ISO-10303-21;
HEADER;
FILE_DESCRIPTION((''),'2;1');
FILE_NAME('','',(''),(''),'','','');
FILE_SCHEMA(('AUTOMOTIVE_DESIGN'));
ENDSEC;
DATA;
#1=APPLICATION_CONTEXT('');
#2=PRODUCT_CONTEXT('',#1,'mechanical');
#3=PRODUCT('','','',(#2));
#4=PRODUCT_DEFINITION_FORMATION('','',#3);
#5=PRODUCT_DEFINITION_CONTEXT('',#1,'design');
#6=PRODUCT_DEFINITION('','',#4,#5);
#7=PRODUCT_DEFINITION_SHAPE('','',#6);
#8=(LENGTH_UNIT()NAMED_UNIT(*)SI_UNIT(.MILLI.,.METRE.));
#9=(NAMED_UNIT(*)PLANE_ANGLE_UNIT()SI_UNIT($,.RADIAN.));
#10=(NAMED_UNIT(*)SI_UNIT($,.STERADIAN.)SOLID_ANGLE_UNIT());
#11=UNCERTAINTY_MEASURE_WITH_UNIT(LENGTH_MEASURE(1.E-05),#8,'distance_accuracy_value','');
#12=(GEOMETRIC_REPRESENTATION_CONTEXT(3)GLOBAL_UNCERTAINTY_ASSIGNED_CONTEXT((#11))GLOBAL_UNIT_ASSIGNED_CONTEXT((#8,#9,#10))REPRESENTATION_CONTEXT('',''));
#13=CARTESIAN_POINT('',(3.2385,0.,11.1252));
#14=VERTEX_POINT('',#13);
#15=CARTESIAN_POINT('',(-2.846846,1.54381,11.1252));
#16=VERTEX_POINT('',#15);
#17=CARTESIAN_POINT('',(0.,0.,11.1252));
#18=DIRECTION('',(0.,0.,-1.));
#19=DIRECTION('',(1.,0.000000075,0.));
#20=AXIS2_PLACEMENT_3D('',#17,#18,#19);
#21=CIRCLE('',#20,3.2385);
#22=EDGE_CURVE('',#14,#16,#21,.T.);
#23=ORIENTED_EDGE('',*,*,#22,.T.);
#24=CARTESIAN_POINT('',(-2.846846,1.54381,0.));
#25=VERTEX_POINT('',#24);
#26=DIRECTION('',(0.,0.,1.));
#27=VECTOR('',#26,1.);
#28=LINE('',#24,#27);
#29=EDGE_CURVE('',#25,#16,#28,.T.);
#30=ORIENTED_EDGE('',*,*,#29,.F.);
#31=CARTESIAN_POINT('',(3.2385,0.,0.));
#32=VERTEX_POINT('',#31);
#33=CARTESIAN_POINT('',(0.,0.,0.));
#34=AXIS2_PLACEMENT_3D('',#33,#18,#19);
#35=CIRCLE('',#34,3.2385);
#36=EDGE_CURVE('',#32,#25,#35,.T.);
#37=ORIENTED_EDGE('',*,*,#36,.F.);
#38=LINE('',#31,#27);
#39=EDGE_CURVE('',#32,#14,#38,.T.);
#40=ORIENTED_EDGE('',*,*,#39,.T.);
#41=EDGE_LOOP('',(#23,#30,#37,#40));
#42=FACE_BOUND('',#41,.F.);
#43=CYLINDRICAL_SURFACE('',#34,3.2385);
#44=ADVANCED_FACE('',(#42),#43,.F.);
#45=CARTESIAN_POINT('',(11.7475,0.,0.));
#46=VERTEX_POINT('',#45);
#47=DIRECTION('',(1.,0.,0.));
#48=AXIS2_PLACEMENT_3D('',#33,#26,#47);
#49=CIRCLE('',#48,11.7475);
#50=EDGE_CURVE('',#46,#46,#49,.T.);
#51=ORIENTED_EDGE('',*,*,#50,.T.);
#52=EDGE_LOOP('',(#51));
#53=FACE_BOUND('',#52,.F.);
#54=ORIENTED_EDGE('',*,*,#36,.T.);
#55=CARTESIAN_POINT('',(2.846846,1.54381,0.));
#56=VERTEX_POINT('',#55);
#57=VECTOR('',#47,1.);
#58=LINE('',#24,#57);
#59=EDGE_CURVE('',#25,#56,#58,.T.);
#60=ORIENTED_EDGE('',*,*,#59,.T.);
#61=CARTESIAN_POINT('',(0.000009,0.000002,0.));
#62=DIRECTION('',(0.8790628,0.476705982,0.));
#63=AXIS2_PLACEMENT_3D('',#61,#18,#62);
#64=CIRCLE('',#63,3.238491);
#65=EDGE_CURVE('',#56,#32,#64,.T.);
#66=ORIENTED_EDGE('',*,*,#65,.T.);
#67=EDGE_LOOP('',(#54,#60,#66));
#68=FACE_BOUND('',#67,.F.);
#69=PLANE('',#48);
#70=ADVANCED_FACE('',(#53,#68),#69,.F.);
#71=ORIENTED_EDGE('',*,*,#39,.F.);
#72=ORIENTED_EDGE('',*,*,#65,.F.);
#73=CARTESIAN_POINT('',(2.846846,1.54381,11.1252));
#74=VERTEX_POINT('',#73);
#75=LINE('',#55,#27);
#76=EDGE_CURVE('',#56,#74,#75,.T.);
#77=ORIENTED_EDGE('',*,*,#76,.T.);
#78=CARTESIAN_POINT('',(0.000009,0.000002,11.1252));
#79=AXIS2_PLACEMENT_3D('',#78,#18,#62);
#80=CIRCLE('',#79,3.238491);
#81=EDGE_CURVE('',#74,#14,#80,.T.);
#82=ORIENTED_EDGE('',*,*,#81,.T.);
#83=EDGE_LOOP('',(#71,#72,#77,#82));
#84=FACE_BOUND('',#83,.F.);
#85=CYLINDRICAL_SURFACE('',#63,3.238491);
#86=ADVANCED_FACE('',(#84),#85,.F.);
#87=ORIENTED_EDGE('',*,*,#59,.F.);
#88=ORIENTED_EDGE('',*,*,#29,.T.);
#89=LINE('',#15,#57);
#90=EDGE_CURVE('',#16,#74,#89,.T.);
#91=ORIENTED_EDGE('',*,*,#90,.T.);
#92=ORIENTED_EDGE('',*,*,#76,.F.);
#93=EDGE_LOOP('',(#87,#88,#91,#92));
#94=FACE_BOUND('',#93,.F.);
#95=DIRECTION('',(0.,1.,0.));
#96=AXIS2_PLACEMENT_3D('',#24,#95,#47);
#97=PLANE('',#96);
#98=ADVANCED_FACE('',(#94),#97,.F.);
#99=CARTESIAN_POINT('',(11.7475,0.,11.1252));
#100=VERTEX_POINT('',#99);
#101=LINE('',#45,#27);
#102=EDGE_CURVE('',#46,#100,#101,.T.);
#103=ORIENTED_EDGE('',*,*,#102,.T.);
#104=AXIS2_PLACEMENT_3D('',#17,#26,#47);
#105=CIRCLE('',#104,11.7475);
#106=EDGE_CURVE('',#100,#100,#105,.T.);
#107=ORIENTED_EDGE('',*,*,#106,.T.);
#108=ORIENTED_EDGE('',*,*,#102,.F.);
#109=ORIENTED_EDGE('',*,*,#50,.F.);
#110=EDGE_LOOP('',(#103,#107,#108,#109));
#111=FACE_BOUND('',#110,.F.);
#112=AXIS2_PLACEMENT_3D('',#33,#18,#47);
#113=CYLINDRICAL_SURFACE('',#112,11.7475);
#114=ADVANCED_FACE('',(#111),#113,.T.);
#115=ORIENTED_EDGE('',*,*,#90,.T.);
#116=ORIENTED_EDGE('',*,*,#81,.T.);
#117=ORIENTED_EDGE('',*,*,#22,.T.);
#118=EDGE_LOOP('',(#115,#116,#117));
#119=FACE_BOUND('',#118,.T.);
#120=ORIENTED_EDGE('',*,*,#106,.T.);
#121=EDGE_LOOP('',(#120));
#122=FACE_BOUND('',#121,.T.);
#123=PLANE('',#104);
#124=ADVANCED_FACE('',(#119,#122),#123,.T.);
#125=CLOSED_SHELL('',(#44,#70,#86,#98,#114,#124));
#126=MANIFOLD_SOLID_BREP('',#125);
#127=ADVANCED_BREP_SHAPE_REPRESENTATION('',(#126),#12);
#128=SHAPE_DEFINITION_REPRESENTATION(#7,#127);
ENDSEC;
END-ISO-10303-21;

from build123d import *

# Parameters (mm, degrees)
F0_R     = 11.7475
F1_DEPTH = 11.1252


with BuildPart() as f1:
    # F0 (on Top) → F1 (new body)
    with BuildSketch(Plane.XY):
        Circle(F0_R)
        with BuildLine():
            ThreePointArc((2.846846, 1.54381), (3.13906, 0.796358), (3.2385, 0))
            ThreePointArc((3.2385, 0), (-0.796358, -3.13906), (-2.846846, 1.54381))
            ThreePointArc((-2.846846, 1.54381), (0, 3.2385), (2.846846, 1.54381))
        make_face(mode=Mode.SUBTRACT)
        with BuildLine():
            Line((-2.846846, 1.54381), (2.846846, 1.54381))
            ThreePointArc((2.846846, 1.54381), (0, 3.2385), (-2.846846, 1.54381))
        make_face()
    extrude(amount=F1_DEPTH)


solid = f1.part
